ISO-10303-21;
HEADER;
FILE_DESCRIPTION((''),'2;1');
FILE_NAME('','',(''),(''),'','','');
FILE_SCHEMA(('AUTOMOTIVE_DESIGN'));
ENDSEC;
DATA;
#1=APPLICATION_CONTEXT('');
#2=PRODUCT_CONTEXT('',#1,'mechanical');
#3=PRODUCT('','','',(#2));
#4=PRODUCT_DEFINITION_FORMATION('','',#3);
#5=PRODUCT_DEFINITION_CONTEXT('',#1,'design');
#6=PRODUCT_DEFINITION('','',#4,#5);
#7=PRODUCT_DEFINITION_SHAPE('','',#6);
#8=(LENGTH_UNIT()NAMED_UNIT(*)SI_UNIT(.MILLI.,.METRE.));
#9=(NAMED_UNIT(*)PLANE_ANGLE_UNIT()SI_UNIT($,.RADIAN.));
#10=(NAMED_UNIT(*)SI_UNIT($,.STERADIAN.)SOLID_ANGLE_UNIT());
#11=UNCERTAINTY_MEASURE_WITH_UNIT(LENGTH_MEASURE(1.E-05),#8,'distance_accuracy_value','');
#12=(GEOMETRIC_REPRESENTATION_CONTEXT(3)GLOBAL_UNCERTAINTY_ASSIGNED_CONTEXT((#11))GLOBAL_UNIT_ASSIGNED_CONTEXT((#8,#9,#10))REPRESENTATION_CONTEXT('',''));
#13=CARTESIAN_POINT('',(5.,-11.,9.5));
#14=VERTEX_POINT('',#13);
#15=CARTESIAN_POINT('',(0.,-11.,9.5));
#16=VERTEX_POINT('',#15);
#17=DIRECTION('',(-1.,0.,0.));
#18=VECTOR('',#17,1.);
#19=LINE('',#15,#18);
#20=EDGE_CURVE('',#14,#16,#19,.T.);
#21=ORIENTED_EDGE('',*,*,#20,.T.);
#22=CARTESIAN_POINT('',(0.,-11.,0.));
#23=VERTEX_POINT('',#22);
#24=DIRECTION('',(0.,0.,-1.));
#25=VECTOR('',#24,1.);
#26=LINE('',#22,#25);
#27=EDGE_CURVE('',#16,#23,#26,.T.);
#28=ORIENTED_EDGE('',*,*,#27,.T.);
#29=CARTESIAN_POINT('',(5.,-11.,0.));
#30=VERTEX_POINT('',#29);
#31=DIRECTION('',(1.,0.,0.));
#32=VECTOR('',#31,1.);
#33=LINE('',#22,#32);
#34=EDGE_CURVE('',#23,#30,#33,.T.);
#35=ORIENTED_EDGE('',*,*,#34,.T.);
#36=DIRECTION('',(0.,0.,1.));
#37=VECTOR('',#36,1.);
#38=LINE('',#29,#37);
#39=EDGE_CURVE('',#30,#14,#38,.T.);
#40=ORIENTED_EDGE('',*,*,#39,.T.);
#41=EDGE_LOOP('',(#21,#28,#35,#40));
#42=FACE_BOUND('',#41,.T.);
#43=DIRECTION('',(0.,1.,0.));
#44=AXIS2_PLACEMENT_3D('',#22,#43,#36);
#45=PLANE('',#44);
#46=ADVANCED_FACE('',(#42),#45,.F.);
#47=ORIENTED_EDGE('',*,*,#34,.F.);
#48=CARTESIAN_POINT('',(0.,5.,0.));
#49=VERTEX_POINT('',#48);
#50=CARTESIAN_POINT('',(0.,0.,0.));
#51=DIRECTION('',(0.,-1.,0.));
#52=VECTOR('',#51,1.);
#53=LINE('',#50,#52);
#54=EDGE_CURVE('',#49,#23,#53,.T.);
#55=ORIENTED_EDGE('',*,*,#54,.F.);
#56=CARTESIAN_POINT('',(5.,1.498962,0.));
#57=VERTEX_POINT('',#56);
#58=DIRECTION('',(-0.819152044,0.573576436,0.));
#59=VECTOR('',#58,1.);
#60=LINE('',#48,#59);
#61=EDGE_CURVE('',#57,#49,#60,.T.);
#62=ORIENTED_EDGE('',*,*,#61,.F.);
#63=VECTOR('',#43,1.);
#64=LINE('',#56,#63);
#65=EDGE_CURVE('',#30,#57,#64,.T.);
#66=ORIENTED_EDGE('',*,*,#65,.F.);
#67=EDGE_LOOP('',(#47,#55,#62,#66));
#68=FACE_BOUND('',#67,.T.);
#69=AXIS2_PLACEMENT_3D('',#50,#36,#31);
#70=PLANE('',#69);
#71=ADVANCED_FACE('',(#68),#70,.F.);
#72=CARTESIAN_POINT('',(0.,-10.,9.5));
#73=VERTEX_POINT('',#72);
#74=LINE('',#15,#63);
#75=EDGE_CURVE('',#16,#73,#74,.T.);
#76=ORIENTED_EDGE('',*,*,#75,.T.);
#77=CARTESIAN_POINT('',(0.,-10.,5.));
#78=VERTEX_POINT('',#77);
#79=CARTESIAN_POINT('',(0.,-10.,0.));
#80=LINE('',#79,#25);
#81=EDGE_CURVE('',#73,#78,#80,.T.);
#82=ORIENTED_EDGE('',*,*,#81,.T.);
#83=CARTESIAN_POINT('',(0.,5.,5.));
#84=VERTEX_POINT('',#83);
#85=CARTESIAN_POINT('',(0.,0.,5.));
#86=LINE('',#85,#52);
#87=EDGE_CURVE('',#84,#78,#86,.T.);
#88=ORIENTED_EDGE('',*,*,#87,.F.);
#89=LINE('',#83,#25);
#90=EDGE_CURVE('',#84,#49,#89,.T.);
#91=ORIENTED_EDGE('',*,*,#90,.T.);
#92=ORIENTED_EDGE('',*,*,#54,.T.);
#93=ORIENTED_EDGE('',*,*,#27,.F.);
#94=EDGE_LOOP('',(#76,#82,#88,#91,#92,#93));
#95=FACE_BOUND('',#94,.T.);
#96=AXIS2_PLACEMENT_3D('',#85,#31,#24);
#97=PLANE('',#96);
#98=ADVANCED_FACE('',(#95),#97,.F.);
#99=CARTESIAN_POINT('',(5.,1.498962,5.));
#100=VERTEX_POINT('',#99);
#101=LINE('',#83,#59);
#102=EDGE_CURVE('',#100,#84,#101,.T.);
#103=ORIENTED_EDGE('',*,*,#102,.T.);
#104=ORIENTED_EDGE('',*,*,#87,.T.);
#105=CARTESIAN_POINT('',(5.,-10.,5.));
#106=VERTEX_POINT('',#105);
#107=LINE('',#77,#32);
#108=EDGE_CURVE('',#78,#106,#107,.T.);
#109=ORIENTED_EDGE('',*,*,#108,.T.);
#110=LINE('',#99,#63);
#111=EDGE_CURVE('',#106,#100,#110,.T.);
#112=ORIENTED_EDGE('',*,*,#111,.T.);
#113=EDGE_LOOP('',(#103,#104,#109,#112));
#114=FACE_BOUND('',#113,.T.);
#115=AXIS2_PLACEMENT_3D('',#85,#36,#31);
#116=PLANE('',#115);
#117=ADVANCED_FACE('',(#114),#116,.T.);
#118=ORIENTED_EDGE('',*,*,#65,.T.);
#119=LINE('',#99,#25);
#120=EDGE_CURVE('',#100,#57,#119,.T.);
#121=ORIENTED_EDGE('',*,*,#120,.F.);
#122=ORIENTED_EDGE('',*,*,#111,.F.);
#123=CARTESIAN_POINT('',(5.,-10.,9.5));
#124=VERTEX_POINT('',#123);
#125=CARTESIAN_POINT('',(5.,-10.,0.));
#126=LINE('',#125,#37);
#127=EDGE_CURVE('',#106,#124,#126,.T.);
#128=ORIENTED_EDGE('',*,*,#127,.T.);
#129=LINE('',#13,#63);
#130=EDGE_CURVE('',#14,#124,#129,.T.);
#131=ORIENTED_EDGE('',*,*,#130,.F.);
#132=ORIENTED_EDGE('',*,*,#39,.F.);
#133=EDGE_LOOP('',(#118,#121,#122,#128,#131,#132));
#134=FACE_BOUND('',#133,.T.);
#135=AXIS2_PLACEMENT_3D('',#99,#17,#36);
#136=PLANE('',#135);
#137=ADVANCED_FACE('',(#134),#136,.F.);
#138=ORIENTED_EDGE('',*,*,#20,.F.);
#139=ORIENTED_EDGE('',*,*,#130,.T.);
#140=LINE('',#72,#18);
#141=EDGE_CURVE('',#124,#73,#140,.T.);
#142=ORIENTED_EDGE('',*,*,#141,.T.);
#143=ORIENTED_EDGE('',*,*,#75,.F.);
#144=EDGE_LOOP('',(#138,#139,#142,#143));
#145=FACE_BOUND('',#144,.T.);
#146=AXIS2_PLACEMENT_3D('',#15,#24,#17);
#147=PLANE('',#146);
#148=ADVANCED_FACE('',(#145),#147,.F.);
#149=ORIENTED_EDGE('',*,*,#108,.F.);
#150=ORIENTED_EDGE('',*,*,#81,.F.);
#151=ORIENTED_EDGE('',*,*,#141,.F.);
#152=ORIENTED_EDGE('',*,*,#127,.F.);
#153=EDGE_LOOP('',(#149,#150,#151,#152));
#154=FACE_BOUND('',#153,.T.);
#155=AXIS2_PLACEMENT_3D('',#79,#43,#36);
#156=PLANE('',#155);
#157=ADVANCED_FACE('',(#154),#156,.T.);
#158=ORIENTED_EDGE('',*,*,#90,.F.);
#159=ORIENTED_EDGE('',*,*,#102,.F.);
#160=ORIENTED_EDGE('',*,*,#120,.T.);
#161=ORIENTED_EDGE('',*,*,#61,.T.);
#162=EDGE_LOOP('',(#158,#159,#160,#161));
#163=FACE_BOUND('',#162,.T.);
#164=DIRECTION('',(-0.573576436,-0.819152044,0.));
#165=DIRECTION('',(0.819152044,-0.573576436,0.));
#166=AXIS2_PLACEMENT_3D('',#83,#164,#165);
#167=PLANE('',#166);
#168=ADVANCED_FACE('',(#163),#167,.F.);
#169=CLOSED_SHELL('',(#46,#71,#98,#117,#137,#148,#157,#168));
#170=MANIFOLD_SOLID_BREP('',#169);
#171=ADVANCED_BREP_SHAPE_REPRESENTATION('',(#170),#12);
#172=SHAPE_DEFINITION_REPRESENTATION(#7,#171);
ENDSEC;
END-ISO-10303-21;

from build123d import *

# Parameters (mm, degrees)
BOSS_EXTRUDE1_DEPTH = 5
SKETCH2_W           = 5
SKETCH2_H           = 9.5
BOSS_EXTRUDE2_DEPTH = 1


with BuildPart() as part:
    # Sketch1 → Boss-Extrude1 (new body)
    with BuildSketch(Plane.XY):
        Polygon((0, 0), (0, 5), (5, 1.498962309), (5, -10), (0, -10), align=None)
    extrude(amount=BOSS_EXTRUDE1_DEPTH)

    # Sketch2 → Boss-Extrude2 (add)
    with BuildSketch(Plane.XZ.offset(10)):
        with Locations((2.5, 4.75)):
            Rectangle(SKETCH2_W, SKETCH2_H)
    extrude(amount=BOSS_EXTRUDE2_DEPTH)


solid = part.part
